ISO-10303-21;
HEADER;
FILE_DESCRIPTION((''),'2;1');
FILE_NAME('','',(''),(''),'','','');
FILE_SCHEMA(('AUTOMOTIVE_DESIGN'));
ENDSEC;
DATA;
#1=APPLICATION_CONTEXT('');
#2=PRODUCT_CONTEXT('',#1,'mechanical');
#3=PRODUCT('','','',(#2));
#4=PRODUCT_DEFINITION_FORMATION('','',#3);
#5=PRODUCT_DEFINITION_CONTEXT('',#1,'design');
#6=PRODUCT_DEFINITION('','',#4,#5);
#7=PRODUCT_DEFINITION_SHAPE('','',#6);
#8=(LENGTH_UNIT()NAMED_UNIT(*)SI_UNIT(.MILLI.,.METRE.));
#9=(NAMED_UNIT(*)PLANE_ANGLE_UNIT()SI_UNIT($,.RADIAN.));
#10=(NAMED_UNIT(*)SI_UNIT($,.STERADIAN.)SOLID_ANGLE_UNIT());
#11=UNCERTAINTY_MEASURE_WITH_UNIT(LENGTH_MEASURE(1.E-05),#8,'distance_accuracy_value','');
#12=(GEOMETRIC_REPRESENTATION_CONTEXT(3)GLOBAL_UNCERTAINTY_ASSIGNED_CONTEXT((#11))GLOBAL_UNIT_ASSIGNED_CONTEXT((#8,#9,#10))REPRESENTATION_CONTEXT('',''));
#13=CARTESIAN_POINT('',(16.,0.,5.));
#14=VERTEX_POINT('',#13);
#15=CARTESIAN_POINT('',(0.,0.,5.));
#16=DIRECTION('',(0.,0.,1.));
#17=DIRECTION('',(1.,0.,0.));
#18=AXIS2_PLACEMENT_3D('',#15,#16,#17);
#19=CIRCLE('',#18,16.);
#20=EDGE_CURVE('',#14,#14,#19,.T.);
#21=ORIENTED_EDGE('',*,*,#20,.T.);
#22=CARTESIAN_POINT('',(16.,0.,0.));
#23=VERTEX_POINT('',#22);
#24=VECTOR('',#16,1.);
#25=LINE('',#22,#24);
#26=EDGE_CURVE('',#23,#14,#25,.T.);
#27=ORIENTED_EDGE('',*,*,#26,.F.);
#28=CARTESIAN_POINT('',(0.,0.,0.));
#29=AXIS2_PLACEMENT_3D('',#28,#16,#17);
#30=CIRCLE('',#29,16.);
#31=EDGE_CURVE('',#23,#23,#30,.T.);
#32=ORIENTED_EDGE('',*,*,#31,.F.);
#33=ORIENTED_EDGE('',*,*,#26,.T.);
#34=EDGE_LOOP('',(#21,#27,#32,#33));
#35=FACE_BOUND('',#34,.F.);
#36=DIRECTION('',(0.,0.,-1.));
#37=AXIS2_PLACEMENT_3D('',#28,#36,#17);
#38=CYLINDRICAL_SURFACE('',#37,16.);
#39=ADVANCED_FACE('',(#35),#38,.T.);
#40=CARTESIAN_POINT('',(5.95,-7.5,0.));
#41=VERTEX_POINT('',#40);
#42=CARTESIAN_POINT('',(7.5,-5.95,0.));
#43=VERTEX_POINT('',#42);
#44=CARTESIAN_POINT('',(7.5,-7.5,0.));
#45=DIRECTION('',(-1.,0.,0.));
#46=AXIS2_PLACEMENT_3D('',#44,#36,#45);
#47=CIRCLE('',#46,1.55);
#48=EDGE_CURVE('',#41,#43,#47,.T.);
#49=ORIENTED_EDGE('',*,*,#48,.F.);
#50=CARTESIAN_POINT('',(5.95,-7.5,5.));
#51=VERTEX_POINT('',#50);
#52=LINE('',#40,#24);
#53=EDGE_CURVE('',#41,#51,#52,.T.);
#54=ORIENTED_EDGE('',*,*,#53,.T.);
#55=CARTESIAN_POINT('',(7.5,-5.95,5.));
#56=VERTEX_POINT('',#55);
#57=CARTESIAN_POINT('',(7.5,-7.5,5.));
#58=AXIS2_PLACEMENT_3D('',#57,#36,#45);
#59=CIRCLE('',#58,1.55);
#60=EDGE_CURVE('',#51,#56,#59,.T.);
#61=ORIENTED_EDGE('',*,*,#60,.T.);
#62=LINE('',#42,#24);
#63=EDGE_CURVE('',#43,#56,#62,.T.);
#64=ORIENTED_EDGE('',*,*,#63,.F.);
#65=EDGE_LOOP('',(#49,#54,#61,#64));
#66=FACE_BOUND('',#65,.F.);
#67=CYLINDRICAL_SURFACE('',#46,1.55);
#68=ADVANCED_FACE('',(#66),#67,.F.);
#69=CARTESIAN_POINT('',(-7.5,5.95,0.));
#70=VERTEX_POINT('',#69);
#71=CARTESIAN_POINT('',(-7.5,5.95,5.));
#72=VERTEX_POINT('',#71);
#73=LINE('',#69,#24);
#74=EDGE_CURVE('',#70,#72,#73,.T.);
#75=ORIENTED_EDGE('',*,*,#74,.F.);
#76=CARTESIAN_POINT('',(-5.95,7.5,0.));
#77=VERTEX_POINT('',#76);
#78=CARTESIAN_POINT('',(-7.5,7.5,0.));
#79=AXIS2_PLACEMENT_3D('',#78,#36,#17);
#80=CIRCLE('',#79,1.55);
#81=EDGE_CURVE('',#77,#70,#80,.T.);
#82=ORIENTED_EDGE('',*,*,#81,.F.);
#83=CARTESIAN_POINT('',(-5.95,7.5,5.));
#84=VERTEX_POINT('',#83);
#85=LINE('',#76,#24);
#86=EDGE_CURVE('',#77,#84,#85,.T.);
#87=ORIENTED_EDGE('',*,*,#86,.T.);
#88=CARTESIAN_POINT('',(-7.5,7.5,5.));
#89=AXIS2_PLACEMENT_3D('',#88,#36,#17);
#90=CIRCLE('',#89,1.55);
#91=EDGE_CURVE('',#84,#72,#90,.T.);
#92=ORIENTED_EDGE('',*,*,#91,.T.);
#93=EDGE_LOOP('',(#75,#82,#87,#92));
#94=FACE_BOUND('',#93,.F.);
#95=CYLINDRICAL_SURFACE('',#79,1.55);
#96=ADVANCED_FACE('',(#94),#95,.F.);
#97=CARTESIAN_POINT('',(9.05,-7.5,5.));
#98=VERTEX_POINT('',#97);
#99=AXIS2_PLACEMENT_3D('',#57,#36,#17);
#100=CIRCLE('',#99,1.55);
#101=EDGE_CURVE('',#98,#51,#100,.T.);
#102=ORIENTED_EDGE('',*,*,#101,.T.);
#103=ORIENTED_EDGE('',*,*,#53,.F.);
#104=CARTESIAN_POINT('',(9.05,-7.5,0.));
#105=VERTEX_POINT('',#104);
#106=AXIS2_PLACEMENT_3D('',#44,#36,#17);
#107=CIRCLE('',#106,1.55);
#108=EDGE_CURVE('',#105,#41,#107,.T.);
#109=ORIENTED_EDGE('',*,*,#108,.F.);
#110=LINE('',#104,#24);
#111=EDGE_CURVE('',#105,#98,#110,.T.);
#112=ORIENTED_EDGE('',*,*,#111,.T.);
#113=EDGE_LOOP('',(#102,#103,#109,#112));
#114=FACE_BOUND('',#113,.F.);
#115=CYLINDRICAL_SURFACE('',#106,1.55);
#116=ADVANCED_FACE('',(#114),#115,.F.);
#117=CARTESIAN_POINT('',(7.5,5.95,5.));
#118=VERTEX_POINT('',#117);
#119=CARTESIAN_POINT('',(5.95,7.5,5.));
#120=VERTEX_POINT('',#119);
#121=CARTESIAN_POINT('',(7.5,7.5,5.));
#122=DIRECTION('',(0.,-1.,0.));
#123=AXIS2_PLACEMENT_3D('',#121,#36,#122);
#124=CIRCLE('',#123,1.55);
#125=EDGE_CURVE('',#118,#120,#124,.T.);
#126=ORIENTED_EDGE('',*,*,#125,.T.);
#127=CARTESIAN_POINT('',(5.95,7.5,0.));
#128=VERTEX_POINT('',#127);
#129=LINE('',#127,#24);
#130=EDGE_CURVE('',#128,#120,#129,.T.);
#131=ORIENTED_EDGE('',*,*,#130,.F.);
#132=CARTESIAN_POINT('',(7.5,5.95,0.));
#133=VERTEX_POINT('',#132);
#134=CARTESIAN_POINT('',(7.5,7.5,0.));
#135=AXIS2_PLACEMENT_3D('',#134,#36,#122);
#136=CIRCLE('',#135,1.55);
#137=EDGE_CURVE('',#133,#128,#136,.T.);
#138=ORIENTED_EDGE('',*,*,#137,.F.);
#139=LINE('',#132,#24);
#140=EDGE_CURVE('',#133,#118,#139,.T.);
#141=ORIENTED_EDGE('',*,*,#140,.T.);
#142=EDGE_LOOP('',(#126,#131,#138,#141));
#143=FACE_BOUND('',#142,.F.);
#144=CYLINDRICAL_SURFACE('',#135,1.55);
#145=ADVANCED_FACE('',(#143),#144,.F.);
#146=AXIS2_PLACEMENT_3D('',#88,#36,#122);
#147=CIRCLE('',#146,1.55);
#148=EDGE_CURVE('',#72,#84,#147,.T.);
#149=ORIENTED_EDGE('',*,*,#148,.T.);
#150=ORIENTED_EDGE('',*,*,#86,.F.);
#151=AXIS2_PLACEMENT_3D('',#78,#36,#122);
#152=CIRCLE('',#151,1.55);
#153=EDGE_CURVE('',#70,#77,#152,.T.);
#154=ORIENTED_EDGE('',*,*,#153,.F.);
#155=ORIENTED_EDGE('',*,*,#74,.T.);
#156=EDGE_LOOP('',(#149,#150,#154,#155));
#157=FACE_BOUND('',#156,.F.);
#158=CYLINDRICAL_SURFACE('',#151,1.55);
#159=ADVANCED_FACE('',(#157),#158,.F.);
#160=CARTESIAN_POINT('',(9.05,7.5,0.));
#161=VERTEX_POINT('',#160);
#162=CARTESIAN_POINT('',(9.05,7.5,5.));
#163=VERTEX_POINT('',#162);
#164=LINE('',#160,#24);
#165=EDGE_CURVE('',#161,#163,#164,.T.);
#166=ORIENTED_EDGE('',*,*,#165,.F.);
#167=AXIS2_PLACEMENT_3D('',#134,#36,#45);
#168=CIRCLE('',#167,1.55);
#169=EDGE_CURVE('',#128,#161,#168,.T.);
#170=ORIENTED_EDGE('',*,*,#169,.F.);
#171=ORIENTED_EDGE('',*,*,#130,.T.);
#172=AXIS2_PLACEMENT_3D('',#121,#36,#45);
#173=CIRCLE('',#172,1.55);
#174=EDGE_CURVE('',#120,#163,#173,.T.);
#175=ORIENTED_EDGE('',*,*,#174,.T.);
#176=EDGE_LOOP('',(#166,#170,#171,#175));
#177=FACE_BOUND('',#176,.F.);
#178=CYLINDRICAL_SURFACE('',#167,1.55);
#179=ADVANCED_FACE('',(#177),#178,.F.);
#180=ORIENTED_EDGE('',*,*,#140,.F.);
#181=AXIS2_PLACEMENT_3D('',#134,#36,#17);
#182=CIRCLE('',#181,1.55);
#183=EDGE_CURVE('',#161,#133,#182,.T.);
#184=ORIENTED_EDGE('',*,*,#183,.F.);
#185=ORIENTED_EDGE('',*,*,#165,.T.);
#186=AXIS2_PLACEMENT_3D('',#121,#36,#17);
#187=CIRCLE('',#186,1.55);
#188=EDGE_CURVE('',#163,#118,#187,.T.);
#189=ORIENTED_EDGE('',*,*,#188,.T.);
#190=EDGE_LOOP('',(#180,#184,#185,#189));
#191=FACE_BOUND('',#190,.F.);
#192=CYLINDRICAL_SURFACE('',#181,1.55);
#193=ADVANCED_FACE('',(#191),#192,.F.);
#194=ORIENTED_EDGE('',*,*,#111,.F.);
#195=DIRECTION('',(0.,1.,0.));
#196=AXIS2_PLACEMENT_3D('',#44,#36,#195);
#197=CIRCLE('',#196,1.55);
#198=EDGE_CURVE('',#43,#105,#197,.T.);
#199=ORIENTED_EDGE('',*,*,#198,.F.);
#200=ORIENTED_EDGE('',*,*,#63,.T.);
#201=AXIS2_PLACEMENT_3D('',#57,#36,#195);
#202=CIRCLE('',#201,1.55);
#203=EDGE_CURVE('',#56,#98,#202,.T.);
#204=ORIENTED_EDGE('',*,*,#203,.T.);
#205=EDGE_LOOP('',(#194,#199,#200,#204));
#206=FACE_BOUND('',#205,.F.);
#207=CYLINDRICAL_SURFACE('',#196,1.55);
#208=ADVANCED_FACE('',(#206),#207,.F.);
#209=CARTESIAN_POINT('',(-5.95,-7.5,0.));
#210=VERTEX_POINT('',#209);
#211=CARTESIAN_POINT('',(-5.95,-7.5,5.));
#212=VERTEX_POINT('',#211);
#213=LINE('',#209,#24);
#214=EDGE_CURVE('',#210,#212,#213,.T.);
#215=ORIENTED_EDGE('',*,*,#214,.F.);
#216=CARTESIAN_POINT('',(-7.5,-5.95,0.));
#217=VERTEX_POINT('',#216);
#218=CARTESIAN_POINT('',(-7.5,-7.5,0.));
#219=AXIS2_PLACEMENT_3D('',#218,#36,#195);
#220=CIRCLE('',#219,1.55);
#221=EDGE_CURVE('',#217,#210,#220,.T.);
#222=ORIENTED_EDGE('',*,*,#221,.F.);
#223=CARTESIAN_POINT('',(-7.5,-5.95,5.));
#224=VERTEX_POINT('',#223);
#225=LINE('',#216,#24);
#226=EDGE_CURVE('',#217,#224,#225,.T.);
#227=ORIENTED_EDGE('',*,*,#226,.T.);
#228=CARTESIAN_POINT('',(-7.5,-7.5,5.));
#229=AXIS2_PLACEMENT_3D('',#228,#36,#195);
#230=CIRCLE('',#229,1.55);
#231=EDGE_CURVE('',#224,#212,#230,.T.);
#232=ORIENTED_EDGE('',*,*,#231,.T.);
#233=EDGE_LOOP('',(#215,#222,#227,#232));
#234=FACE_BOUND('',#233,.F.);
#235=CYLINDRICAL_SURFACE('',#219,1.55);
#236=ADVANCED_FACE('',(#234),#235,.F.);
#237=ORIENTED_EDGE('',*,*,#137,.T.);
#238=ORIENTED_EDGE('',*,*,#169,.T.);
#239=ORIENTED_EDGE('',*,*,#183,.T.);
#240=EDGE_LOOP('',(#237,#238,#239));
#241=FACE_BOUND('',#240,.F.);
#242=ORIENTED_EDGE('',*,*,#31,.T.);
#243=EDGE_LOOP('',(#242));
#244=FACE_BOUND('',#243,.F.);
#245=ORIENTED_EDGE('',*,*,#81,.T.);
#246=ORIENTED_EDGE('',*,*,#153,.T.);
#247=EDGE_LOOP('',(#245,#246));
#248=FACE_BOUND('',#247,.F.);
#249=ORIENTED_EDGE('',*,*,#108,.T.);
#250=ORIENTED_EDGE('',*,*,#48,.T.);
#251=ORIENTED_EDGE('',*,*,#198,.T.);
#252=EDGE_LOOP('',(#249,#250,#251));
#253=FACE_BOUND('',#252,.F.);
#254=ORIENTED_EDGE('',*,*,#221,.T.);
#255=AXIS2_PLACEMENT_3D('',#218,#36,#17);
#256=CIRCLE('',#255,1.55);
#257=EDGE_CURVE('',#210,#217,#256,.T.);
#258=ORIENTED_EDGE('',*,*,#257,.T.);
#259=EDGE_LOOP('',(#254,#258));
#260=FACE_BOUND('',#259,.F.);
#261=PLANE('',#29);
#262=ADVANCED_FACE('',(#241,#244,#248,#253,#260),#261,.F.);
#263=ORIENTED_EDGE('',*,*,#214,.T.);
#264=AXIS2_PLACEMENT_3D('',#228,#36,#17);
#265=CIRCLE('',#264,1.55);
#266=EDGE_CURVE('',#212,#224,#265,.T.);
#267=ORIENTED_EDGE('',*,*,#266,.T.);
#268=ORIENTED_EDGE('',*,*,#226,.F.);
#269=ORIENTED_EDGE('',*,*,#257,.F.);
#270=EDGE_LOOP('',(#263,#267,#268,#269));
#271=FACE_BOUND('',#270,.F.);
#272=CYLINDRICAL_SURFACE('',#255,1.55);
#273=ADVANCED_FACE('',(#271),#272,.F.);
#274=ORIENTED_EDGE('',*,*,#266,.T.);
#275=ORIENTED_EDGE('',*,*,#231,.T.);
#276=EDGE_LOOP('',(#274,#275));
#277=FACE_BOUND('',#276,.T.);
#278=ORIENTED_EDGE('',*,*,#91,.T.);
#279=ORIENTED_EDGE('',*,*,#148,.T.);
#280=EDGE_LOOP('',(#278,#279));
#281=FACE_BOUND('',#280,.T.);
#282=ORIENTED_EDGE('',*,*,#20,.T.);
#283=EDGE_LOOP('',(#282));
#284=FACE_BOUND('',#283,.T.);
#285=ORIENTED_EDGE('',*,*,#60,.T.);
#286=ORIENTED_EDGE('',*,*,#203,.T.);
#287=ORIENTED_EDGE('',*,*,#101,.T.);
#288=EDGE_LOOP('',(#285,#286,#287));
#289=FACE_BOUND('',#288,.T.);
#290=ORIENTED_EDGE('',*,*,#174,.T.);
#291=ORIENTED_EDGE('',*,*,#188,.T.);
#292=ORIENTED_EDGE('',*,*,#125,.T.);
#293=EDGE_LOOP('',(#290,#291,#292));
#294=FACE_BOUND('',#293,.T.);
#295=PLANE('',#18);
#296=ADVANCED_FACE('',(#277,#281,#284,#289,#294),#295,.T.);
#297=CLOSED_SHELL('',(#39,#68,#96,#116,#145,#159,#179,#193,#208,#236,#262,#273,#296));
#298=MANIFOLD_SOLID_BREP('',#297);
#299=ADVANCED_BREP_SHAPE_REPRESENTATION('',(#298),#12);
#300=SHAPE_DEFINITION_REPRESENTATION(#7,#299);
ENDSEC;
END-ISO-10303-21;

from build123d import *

# Parameters (mm, degrees)
F0_R     = 16
F1_DEPTH = 5


with BuildPart() as f1:
    # F0 (on Top) → F1 (new body)
    with BuildSketch(Plane.XY):
        Circle(F0_R)
        with BuildLine():
            Line((5.95, -7.5), (-5.95, -7.5))
            ThreePointArc((-5.95, -7.5), (-8.5960155108, -8.5960155108), (-7.5, -5.95))
            Line((-7.5, -5.95), (-7.5, 5.95))
            ThreePointArc((-7.5, 5.95), (-8.5960155108, 8.5960155108), (-5.95, 7.5))
            Line((-5.95, 7.5), (5.95, 7.5))
            ThreePointArc((5.95, 7.5), (7.5, 9.05), (9.05, 7.5))
            ThreePointArc((9.05, 7.5), (8.5960155108, 6.4039844892), (7.5, 5.95))
            Line((7.5, 5.95), (7.5, -5.95))
            ThreePointArc((7.5, -5.95), (8.5960155108, -6.4039844892), (9.05, -7.5))
            ThreePointArc((9.05, -7.5), (7.5, -9.05), (5.95, -7.5))
        make_face(mode=Mode.SUBTRACT)
        with BuildLine():
            ThreePointArc((-7.5, -5.95), (-6.4039844892, -6.4039844892), (-5.95, -7.5))
            Line((-5.95, -7.5), (5.95, -7.5))
            ThreePointArc((5.95, -7.5), (6.4039844892, -6.4039844892), (7.5, -5.95))
            Line((7.5, -5.95), (7.5, 5.95))
            ThreePointArc((7.5, 5.95), (6.4039844892, 6.4039844892), (5.95, 7.5))
            Line((5.95, 7.5), (-5.95, 7.5))
            ThreePointArc((-5.95, 7.5), (-6.4039844892, 6.4039844892), (-7.5, 5.95))
            Line((-7.5, 5.95), (-7.5, -5.95))
        make_face()
    extrude(amount=F1_DEPTH)


solid = f1.part
